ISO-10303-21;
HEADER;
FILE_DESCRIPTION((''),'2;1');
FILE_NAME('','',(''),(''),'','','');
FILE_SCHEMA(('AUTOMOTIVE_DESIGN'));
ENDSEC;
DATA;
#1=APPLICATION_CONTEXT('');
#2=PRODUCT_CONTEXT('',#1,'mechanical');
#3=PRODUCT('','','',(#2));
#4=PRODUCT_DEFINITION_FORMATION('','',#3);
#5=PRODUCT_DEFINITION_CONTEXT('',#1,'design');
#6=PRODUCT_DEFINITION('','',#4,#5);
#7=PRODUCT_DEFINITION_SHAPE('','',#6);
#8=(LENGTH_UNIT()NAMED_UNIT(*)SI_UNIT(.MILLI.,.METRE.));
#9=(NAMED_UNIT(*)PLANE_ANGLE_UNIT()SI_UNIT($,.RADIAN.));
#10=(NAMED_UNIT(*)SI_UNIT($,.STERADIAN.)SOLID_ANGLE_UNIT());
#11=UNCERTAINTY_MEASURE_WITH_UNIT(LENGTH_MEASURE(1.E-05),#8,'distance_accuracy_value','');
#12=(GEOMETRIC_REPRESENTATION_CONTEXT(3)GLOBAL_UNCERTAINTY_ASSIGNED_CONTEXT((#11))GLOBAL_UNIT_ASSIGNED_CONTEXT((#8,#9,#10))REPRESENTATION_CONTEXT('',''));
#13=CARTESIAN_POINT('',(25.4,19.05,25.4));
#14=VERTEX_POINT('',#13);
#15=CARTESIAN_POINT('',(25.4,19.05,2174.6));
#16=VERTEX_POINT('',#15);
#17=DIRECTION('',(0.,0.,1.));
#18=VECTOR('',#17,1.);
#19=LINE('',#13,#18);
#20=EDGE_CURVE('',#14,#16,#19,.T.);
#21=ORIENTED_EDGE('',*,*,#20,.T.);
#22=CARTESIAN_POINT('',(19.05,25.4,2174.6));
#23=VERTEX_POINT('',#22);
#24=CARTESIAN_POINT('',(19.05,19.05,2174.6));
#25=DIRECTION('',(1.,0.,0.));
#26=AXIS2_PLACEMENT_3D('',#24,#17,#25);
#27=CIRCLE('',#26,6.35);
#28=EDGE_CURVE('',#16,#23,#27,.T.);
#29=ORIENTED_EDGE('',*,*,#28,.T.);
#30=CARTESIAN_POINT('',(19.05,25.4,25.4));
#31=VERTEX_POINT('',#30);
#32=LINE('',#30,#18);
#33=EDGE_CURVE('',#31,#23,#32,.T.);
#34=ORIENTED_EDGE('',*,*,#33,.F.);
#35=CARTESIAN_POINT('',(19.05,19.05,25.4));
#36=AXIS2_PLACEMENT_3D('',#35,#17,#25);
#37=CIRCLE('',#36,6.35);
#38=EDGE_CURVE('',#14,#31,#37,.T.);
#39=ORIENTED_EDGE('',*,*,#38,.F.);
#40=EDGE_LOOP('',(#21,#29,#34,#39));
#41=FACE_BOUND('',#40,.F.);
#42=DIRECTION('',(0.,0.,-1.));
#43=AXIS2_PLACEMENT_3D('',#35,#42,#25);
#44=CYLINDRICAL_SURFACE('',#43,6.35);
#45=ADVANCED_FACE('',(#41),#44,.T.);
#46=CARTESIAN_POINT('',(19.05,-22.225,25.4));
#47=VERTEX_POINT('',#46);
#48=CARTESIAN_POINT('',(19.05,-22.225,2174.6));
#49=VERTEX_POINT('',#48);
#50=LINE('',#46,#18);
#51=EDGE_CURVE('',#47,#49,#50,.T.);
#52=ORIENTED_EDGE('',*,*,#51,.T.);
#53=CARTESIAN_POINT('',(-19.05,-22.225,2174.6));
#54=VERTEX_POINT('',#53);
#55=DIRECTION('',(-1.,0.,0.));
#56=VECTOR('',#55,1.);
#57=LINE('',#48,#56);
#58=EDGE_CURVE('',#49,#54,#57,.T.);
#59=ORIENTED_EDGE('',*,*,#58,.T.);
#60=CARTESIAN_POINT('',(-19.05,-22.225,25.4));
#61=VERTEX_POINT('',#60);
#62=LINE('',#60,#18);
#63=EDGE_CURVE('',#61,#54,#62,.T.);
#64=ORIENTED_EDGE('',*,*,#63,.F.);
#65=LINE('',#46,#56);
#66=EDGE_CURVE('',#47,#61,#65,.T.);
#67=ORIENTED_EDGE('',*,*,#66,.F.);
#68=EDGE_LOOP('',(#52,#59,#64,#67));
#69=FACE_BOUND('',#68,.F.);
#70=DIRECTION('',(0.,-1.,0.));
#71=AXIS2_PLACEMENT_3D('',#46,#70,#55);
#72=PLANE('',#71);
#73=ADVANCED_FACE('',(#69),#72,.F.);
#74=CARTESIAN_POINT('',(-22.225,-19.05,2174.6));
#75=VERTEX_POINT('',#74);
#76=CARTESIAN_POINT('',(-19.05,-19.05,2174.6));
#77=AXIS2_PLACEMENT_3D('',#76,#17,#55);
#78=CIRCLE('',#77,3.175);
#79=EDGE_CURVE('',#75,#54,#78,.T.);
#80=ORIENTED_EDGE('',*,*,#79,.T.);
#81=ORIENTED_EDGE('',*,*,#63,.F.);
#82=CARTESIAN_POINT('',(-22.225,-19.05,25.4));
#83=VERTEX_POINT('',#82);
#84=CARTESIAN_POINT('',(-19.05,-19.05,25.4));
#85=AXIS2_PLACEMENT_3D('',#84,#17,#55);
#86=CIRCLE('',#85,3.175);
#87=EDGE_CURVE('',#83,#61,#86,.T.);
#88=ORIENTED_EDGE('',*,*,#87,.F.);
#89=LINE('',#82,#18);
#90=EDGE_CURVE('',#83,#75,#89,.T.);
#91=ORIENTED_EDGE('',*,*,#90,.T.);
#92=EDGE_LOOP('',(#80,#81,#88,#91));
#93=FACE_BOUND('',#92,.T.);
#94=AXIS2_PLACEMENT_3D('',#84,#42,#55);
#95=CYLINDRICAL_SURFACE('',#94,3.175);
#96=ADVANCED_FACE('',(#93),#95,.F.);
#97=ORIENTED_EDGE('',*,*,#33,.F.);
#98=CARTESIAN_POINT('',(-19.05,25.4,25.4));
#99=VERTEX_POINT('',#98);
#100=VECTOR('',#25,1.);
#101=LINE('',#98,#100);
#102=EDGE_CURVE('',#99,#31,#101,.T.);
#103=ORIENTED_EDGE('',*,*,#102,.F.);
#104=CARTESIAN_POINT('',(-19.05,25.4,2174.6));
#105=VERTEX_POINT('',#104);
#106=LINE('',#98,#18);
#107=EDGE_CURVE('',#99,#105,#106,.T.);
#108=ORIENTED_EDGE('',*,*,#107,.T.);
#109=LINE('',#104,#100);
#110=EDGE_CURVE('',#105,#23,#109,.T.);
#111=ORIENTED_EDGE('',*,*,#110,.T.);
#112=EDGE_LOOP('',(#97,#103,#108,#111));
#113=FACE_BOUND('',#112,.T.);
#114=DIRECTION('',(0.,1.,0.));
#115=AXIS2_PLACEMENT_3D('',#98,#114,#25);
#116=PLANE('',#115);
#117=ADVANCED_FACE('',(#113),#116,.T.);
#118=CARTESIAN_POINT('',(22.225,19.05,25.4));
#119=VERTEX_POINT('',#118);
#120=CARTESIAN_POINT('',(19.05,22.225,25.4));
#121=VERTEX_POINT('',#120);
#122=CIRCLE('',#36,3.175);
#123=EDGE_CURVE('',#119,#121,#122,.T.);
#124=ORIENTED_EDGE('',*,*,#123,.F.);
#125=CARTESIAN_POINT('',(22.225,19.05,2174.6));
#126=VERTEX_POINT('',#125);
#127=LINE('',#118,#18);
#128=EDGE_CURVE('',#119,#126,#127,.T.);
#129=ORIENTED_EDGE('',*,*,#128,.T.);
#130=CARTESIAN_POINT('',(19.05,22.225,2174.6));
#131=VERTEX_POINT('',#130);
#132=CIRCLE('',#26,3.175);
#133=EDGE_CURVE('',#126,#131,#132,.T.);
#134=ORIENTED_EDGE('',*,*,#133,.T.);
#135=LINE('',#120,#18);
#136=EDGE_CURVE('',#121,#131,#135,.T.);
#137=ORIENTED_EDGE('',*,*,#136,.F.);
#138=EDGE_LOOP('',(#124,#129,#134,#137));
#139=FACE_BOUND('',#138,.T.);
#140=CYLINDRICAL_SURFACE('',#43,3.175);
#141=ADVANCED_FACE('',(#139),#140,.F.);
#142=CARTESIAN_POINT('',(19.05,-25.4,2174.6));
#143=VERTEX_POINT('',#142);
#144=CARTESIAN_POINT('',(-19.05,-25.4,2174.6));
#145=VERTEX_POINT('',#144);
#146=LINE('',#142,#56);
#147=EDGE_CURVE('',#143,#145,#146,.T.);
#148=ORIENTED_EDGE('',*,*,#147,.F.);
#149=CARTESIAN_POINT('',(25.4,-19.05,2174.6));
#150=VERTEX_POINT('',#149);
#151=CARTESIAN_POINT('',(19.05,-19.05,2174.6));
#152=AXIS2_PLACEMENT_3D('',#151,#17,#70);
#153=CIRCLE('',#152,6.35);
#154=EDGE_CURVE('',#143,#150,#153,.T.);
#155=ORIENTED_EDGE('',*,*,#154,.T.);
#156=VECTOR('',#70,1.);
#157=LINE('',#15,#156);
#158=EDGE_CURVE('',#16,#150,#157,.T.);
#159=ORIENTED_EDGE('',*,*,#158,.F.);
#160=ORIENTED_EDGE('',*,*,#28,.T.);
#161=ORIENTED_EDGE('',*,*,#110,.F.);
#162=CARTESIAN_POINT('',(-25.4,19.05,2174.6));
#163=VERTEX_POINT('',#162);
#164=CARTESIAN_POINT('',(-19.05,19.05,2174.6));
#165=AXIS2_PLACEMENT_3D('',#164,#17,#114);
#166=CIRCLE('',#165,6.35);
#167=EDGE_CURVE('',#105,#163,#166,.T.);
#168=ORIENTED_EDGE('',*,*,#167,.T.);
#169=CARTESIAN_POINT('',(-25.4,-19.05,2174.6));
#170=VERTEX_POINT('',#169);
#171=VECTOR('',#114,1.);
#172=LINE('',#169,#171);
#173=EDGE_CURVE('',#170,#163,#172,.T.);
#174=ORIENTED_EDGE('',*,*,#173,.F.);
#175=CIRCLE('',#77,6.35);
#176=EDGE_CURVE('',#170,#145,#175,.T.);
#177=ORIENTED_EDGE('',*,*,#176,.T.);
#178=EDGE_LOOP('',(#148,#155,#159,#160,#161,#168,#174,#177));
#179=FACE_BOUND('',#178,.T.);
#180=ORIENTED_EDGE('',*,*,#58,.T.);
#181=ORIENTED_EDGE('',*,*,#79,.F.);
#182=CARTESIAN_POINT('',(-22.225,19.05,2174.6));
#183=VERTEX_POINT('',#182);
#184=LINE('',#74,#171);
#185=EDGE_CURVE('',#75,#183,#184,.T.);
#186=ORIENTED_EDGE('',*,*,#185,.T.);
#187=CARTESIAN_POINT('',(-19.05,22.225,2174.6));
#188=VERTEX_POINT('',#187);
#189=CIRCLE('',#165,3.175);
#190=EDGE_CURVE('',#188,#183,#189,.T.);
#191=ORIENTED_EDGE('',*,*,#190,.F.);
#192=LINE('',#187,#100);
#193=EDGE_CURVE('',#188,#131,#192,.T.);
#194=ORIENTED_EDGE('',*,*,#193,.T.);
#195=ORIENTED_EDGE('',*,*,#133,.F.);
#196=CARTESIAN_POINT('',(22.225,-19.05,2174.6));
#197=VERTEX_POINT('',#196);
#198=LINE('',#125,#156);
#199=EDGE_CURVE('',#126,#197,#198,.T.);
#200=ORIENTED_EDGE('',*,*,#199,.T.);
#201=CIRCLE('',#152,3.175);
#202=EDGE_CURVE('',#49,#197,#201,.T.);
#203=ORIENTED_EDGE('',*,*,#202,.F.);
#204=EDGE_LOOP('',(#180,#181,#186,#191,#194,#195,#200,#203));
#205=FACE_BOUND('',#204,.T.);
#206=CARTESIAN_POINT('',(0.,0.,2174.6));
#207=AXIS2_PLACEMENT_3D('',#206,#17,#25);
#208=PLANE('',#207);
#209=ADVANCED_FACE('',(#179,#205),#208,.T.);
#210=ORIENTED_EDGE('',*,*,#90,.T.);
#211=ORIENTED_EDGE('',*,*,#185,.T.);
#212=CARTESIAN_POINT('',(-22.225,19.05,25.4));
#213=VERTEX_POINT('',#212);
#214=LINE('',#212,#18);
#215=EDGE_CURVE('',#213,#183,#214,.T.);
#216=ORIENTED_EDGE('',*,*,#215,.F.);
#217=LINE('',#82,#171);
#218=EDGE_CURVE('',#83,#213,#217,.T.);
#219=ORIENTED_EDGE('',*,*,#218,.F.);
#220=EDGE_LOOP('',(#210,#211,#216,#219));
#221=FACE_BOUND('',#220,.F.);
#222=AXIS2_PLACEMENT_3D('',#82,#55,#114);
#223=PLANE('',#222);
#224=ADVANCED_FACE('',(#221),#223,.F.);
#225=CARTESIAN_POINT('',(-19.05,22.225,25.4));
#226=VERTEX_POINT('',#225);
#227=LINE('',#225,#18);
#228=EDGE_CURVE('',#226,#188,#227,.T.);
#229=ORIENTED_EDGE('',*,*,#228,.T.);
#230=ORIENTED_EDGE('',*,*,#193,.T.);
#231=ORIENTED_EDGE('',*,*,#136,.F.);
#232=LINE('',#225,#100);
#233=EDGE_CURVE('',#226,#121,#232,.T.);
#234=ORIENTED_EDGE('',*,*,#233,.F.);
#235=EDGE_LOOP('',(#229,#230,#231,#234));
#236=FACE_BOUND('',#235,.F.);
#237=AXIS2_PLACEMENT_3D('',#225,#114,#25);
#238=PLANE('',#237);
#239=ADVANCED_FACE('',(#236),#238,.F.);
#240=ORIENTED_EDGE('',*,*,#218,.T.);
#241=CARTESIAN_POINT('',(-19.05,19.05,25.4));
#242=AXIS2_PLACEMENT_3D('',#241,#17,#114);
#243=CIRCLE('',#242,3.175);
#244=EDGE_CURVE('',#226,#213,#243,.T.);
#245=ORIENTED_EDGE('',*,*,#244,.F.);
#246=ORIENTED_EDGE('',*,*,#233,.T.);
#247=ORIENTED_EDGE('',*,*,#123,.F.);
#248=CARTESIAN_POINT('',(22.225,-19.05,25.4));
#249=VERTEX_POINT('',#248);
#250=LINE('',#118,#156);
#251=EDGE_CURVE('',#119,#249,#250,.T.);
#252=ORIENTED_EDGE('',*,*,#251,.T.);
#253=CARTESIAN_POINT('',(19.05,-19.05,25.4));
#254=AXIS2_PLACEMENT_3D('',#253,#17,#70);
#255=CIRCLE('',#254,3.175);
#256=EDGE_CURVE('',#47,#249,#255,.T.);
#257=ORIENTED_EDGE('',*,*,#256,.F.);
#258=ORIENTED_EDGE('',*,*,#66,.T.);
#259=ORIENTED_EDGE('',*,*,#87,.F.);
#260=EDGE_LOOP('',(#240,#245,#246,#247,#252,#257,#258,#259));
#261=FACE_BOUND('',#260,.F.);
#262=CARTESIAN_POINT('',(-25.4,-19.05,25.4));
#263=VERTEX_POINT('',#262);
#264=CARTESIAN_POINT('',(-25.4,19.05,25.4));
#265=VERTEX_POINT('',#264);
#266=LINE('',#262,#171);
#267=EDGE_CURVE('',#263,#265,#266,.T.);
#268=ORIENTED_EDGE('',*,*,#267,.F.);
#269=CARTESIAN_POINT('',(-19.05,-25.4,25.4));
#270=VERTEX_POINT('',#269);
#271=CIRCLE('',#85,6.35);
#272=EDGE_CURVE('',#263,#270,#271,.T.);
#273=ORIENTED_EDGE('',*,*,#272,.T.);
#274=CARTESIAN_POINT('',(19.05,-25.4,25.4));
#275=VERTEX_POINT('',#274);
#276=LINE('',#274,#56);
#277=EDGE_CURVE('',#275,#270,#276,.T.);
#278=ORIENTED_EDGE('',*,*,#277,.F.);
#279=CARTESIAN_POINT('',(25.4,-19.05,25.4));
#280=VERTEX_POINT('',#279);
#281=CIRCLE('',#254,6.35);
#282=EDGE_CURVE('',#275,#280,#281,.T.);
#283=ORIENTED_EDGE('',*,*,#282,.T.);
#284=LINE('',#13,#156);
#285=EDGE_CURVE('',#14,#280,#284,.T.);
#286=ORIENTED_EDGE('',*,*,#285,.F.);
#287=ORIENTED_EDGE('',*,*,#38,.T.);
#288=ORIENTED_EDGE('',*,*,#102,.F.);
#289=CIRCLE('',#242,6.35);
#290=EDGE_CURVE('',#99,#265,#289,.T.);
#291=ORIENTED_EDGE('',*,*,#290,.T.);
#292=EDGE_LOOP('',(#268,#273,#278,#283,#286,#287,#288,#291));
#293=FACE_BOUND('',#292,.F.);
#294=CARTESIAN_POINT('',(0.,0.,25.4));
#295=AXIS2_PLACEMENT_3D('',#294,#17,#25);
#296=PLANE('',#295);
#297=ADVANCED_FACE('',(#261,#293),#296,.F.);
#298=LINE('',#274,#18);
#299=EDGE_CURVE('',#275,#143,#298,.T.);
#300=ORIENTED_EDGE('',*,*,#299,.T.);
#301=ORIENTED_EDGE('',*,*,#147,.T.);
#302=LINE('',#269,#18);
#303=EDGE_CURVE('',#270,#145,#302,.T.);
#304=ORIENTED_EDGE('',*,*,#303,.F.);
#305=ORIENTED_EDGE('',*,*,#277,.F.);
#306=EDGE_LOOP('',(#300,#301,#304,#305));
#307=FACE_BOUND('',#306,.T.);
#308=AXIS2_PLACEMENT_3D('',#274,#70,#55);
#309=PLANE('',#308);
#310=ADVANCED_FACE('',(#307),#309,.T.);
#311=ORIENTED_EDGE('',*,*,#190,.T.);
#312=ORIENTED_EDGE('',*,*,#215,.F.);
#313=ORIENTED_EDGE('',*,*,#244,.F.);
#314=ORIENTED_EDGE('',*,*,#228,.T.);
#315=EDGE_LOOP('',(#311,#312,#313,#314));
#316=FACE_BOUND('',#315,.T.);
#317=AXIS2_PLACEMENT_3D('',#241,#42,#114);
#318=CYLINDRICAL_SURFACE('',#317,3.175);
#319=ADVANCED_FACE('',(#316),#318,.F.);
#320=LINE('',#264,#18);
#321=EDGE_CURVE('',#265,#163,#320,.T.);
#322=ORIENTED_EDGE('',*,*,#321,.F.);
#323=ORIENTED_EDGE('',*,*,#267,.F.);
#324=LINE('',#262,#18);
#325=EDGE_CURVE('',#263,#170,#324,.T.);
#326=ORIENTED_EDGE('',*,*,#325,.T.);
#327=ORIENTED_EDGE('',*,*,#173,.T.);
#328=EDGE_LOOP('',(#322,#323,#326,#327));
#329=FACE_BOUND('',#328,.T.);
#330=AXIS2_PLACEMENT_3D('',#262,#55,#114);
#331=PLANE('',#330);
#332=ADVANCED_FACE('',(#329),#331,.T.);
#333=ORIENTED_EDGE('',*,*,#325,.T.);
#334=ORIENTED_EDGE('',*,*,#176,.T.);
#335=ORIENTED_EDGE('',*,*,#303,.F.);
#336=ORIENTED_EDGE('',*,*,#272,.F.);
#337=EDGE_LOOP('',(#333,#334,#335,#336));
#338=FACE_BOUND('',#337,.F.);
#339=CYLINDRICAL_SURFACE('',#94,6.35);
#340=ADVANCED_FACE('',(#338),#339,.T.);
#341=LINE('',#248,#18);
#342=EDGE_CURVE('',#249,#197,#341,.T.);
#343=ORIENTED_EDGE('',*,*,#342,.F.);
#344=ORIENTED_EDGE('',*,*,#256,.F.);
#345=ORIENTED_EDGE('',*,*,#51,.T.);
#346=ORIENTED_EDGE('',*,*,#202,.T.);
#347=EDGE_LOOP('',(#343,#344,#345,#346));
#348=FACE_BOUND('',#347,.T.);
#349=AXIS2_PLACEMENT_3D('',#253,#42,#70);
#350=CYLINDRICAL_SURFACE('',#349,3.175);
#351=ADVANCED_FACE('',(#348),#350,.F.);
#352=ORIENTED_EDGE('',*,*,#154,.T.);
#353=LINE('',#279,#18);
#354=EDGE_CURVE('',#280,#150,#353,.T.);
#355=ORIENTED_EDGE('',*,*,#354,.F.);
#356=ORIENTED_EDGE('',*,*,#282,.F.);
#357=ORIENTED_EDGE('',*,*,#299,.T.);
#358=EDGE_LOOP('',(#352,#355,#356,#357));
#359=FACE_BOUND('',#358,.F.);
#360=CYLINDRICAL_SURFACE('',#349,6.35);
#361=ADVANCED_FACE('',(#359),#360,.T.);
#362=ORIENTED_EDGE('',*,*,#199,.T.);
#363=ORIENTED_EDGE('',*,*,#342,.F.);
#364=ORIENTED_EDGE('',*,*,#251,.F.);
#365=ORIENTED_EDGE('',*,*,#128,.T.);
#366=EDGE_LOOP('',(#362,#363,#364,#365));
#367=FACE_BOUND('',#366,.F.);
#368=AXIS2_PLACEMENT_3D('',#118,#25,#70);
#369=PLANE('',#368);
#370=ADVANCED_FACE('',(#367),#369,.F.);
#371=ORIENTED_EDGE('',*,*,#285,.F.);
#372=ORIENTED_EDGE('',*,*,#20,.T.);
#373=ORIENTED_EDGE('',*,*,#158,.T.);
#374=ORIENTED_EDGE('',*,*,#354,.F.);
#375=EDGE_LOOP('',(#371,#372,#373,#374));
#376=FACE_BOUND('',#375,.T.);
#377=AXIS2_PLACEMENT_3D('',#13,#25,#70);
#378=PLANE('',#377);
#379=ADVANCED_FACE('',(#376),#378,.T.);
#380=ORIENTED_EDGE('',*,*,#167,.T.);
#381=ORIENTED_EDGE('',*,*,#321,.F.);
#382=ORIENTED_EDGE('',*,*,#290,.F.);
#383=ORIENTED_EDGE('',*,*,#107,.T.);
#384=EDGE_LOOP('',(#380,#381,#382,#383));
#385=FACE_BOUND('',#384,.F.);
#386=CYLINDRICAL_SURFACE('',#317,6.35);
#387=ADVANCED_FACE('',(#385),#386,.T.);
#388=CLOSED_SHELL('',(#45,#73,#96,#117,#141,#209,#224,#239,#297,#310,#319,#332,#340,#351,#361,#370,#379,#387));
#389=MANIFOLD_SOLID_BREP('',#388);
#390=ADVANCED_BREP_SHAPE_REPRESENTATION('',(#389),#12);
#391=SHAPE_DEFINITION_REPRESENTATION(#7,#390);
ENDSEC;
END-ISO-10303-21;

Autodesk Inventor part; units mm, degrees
ref_plane "Plano inicial" through (0, 0, 25.4) normal (0, 0, 1) x (1, 0, 0)
ref_plane "Plano final" through (0, 0, 2174.6) normal (0, 0, 1) x (1, 0, 0)
sketch "Boceto" plane through (0, 0, 0) normal (0, 0, 1) x (1, 0, 0)
  line L0 (-25.4, -19.05) -> (-25.4, 19.05)
  line L1 (-19.05, 25.4) -> (19.05, 25.4)
  line L2 (25.4, 19.05) -> (25.4, -19.05)
  line L3 (19.05, -25.4) -> (-19.05, -25.4)
  arc A0 (-25.4, -19.05) -> (-19.05, -25.4) centre (-19.05, -19.05) ccw
  arc A1 (-19.05, 25.4) -> (-25.4, 19.05) centre (-19.05, 19.05) ccw
  arc A2 (25.4, 19.05) -> (19.05, 25.4) centre (19.05, 19.05) ccw
  arc A3 (19.05, -25.4) -> (25.4, -19.05) centre (19.05, -19.05) ccw
  arc A4 (-19.05, 22.225) -> (-22.225, 19.05) centre (-19.05, 19.05) ccw
  line L4 (-19.05, 22.225) -> (19.05, 22.225)
  arc A5 (22.225, 19.05) -> (19.05, 22.225) centre (19.05, 19.05) ccw
  line L5 (22.225, 19.05) -> (22.225, -19.05)
  arc A6 (19.05, -22.225) -> (22.225, -19.05) centre (19.05, -19.05) ccw
  line L6 (19.05, -22.225) -> (-19.05, -22.225)
  arc A7 (-22.225, -19.05) -> (-19.05, -22.225) centre (-19.05, -19.05) ccw
  line L7 (-22.225, -19.05) -> (-22.225, 19.05)
  line L8 (0, 37.4012) -> (0, -37.4012) construction
  line L9 (-37.4012, 0) -> (37.4012, 0) construction
  dimension "d10" = 50.8
  dimension "d11" = 50.8
  dimension "d12" = 3.175
  dimension "d15" = 25.4
  dimension "d16" = 25.4
  dimension "d17" = 6.35
extrude "Cuerpo" add sketch "Boceto" along normal up to surface (2149.2 mm away) from surface at 25.4
sketch "Sketch3" plane through (0, 0, 0) normal (0, 0, 1) x (1, 0, 0)
  line L0 (0, 0) -> (10, 0)
ref_plane "Work Plane3" through (0, 0, 0) normal (0, -1, 0) x (1, 0, 0)
ref_plane "Plano de trabajo4" through (19.05, 0, 2174.6) normal (0, 0, 1) x (1, 0, 0)
split "Dividir1" plane through (19.05, 0, 2174.6) removes the side toward (0, 0, 1)
ref_plane "Plano de trabajo5" through (19.05, -2890, 25.4) normal (0, 0, -1) x (-1, 0, 0)
split "Dividir2" plane through (19.05, -2890, 25.4) removes the side toward (0, 0, -1)
sketch "Sketch4" plane through (0, 0, 0) normal (0, -1, 0) x (1, 0, 0)
  line L0 (-2, 25.4) -> (12, 25.4) projected
  line L1 (-2, 2174.6) -> (12, 2174.6) projected
  dimension "d19" = 2149.2
equation "\"d10\" = G_H"
equation "\"d11\" = G_W"
equation "\"d12\" = G_T"
equation "\"d15\" = 0.5 * d10"
equation "\"d16\" = 0.5 * d11"
equation "\"d17\" = G_IR"
equation "\"d3\" = G_L"
equation "\"G_W\" = 50.8"
equation "\"G_H\" = 50.8"
equation "\"G_T\" = 3.175"
equation "\"G_IR\" = 6.35"
equation "\"G_L\" = d19"
equation "\"G_OFFSET_START\" = -25.4"
equation "\"G_OFFSET_END\" = -25.4"
equation "\"d13\" = -G_OFFSET_START"
equation "\"d14\" = G_OFFSET_END + B_L"
equation "\"B_L\" = 2200"
properties part number "AISC - 2 x 2 x 1/8 - 84,614" material "Acero, suave"
